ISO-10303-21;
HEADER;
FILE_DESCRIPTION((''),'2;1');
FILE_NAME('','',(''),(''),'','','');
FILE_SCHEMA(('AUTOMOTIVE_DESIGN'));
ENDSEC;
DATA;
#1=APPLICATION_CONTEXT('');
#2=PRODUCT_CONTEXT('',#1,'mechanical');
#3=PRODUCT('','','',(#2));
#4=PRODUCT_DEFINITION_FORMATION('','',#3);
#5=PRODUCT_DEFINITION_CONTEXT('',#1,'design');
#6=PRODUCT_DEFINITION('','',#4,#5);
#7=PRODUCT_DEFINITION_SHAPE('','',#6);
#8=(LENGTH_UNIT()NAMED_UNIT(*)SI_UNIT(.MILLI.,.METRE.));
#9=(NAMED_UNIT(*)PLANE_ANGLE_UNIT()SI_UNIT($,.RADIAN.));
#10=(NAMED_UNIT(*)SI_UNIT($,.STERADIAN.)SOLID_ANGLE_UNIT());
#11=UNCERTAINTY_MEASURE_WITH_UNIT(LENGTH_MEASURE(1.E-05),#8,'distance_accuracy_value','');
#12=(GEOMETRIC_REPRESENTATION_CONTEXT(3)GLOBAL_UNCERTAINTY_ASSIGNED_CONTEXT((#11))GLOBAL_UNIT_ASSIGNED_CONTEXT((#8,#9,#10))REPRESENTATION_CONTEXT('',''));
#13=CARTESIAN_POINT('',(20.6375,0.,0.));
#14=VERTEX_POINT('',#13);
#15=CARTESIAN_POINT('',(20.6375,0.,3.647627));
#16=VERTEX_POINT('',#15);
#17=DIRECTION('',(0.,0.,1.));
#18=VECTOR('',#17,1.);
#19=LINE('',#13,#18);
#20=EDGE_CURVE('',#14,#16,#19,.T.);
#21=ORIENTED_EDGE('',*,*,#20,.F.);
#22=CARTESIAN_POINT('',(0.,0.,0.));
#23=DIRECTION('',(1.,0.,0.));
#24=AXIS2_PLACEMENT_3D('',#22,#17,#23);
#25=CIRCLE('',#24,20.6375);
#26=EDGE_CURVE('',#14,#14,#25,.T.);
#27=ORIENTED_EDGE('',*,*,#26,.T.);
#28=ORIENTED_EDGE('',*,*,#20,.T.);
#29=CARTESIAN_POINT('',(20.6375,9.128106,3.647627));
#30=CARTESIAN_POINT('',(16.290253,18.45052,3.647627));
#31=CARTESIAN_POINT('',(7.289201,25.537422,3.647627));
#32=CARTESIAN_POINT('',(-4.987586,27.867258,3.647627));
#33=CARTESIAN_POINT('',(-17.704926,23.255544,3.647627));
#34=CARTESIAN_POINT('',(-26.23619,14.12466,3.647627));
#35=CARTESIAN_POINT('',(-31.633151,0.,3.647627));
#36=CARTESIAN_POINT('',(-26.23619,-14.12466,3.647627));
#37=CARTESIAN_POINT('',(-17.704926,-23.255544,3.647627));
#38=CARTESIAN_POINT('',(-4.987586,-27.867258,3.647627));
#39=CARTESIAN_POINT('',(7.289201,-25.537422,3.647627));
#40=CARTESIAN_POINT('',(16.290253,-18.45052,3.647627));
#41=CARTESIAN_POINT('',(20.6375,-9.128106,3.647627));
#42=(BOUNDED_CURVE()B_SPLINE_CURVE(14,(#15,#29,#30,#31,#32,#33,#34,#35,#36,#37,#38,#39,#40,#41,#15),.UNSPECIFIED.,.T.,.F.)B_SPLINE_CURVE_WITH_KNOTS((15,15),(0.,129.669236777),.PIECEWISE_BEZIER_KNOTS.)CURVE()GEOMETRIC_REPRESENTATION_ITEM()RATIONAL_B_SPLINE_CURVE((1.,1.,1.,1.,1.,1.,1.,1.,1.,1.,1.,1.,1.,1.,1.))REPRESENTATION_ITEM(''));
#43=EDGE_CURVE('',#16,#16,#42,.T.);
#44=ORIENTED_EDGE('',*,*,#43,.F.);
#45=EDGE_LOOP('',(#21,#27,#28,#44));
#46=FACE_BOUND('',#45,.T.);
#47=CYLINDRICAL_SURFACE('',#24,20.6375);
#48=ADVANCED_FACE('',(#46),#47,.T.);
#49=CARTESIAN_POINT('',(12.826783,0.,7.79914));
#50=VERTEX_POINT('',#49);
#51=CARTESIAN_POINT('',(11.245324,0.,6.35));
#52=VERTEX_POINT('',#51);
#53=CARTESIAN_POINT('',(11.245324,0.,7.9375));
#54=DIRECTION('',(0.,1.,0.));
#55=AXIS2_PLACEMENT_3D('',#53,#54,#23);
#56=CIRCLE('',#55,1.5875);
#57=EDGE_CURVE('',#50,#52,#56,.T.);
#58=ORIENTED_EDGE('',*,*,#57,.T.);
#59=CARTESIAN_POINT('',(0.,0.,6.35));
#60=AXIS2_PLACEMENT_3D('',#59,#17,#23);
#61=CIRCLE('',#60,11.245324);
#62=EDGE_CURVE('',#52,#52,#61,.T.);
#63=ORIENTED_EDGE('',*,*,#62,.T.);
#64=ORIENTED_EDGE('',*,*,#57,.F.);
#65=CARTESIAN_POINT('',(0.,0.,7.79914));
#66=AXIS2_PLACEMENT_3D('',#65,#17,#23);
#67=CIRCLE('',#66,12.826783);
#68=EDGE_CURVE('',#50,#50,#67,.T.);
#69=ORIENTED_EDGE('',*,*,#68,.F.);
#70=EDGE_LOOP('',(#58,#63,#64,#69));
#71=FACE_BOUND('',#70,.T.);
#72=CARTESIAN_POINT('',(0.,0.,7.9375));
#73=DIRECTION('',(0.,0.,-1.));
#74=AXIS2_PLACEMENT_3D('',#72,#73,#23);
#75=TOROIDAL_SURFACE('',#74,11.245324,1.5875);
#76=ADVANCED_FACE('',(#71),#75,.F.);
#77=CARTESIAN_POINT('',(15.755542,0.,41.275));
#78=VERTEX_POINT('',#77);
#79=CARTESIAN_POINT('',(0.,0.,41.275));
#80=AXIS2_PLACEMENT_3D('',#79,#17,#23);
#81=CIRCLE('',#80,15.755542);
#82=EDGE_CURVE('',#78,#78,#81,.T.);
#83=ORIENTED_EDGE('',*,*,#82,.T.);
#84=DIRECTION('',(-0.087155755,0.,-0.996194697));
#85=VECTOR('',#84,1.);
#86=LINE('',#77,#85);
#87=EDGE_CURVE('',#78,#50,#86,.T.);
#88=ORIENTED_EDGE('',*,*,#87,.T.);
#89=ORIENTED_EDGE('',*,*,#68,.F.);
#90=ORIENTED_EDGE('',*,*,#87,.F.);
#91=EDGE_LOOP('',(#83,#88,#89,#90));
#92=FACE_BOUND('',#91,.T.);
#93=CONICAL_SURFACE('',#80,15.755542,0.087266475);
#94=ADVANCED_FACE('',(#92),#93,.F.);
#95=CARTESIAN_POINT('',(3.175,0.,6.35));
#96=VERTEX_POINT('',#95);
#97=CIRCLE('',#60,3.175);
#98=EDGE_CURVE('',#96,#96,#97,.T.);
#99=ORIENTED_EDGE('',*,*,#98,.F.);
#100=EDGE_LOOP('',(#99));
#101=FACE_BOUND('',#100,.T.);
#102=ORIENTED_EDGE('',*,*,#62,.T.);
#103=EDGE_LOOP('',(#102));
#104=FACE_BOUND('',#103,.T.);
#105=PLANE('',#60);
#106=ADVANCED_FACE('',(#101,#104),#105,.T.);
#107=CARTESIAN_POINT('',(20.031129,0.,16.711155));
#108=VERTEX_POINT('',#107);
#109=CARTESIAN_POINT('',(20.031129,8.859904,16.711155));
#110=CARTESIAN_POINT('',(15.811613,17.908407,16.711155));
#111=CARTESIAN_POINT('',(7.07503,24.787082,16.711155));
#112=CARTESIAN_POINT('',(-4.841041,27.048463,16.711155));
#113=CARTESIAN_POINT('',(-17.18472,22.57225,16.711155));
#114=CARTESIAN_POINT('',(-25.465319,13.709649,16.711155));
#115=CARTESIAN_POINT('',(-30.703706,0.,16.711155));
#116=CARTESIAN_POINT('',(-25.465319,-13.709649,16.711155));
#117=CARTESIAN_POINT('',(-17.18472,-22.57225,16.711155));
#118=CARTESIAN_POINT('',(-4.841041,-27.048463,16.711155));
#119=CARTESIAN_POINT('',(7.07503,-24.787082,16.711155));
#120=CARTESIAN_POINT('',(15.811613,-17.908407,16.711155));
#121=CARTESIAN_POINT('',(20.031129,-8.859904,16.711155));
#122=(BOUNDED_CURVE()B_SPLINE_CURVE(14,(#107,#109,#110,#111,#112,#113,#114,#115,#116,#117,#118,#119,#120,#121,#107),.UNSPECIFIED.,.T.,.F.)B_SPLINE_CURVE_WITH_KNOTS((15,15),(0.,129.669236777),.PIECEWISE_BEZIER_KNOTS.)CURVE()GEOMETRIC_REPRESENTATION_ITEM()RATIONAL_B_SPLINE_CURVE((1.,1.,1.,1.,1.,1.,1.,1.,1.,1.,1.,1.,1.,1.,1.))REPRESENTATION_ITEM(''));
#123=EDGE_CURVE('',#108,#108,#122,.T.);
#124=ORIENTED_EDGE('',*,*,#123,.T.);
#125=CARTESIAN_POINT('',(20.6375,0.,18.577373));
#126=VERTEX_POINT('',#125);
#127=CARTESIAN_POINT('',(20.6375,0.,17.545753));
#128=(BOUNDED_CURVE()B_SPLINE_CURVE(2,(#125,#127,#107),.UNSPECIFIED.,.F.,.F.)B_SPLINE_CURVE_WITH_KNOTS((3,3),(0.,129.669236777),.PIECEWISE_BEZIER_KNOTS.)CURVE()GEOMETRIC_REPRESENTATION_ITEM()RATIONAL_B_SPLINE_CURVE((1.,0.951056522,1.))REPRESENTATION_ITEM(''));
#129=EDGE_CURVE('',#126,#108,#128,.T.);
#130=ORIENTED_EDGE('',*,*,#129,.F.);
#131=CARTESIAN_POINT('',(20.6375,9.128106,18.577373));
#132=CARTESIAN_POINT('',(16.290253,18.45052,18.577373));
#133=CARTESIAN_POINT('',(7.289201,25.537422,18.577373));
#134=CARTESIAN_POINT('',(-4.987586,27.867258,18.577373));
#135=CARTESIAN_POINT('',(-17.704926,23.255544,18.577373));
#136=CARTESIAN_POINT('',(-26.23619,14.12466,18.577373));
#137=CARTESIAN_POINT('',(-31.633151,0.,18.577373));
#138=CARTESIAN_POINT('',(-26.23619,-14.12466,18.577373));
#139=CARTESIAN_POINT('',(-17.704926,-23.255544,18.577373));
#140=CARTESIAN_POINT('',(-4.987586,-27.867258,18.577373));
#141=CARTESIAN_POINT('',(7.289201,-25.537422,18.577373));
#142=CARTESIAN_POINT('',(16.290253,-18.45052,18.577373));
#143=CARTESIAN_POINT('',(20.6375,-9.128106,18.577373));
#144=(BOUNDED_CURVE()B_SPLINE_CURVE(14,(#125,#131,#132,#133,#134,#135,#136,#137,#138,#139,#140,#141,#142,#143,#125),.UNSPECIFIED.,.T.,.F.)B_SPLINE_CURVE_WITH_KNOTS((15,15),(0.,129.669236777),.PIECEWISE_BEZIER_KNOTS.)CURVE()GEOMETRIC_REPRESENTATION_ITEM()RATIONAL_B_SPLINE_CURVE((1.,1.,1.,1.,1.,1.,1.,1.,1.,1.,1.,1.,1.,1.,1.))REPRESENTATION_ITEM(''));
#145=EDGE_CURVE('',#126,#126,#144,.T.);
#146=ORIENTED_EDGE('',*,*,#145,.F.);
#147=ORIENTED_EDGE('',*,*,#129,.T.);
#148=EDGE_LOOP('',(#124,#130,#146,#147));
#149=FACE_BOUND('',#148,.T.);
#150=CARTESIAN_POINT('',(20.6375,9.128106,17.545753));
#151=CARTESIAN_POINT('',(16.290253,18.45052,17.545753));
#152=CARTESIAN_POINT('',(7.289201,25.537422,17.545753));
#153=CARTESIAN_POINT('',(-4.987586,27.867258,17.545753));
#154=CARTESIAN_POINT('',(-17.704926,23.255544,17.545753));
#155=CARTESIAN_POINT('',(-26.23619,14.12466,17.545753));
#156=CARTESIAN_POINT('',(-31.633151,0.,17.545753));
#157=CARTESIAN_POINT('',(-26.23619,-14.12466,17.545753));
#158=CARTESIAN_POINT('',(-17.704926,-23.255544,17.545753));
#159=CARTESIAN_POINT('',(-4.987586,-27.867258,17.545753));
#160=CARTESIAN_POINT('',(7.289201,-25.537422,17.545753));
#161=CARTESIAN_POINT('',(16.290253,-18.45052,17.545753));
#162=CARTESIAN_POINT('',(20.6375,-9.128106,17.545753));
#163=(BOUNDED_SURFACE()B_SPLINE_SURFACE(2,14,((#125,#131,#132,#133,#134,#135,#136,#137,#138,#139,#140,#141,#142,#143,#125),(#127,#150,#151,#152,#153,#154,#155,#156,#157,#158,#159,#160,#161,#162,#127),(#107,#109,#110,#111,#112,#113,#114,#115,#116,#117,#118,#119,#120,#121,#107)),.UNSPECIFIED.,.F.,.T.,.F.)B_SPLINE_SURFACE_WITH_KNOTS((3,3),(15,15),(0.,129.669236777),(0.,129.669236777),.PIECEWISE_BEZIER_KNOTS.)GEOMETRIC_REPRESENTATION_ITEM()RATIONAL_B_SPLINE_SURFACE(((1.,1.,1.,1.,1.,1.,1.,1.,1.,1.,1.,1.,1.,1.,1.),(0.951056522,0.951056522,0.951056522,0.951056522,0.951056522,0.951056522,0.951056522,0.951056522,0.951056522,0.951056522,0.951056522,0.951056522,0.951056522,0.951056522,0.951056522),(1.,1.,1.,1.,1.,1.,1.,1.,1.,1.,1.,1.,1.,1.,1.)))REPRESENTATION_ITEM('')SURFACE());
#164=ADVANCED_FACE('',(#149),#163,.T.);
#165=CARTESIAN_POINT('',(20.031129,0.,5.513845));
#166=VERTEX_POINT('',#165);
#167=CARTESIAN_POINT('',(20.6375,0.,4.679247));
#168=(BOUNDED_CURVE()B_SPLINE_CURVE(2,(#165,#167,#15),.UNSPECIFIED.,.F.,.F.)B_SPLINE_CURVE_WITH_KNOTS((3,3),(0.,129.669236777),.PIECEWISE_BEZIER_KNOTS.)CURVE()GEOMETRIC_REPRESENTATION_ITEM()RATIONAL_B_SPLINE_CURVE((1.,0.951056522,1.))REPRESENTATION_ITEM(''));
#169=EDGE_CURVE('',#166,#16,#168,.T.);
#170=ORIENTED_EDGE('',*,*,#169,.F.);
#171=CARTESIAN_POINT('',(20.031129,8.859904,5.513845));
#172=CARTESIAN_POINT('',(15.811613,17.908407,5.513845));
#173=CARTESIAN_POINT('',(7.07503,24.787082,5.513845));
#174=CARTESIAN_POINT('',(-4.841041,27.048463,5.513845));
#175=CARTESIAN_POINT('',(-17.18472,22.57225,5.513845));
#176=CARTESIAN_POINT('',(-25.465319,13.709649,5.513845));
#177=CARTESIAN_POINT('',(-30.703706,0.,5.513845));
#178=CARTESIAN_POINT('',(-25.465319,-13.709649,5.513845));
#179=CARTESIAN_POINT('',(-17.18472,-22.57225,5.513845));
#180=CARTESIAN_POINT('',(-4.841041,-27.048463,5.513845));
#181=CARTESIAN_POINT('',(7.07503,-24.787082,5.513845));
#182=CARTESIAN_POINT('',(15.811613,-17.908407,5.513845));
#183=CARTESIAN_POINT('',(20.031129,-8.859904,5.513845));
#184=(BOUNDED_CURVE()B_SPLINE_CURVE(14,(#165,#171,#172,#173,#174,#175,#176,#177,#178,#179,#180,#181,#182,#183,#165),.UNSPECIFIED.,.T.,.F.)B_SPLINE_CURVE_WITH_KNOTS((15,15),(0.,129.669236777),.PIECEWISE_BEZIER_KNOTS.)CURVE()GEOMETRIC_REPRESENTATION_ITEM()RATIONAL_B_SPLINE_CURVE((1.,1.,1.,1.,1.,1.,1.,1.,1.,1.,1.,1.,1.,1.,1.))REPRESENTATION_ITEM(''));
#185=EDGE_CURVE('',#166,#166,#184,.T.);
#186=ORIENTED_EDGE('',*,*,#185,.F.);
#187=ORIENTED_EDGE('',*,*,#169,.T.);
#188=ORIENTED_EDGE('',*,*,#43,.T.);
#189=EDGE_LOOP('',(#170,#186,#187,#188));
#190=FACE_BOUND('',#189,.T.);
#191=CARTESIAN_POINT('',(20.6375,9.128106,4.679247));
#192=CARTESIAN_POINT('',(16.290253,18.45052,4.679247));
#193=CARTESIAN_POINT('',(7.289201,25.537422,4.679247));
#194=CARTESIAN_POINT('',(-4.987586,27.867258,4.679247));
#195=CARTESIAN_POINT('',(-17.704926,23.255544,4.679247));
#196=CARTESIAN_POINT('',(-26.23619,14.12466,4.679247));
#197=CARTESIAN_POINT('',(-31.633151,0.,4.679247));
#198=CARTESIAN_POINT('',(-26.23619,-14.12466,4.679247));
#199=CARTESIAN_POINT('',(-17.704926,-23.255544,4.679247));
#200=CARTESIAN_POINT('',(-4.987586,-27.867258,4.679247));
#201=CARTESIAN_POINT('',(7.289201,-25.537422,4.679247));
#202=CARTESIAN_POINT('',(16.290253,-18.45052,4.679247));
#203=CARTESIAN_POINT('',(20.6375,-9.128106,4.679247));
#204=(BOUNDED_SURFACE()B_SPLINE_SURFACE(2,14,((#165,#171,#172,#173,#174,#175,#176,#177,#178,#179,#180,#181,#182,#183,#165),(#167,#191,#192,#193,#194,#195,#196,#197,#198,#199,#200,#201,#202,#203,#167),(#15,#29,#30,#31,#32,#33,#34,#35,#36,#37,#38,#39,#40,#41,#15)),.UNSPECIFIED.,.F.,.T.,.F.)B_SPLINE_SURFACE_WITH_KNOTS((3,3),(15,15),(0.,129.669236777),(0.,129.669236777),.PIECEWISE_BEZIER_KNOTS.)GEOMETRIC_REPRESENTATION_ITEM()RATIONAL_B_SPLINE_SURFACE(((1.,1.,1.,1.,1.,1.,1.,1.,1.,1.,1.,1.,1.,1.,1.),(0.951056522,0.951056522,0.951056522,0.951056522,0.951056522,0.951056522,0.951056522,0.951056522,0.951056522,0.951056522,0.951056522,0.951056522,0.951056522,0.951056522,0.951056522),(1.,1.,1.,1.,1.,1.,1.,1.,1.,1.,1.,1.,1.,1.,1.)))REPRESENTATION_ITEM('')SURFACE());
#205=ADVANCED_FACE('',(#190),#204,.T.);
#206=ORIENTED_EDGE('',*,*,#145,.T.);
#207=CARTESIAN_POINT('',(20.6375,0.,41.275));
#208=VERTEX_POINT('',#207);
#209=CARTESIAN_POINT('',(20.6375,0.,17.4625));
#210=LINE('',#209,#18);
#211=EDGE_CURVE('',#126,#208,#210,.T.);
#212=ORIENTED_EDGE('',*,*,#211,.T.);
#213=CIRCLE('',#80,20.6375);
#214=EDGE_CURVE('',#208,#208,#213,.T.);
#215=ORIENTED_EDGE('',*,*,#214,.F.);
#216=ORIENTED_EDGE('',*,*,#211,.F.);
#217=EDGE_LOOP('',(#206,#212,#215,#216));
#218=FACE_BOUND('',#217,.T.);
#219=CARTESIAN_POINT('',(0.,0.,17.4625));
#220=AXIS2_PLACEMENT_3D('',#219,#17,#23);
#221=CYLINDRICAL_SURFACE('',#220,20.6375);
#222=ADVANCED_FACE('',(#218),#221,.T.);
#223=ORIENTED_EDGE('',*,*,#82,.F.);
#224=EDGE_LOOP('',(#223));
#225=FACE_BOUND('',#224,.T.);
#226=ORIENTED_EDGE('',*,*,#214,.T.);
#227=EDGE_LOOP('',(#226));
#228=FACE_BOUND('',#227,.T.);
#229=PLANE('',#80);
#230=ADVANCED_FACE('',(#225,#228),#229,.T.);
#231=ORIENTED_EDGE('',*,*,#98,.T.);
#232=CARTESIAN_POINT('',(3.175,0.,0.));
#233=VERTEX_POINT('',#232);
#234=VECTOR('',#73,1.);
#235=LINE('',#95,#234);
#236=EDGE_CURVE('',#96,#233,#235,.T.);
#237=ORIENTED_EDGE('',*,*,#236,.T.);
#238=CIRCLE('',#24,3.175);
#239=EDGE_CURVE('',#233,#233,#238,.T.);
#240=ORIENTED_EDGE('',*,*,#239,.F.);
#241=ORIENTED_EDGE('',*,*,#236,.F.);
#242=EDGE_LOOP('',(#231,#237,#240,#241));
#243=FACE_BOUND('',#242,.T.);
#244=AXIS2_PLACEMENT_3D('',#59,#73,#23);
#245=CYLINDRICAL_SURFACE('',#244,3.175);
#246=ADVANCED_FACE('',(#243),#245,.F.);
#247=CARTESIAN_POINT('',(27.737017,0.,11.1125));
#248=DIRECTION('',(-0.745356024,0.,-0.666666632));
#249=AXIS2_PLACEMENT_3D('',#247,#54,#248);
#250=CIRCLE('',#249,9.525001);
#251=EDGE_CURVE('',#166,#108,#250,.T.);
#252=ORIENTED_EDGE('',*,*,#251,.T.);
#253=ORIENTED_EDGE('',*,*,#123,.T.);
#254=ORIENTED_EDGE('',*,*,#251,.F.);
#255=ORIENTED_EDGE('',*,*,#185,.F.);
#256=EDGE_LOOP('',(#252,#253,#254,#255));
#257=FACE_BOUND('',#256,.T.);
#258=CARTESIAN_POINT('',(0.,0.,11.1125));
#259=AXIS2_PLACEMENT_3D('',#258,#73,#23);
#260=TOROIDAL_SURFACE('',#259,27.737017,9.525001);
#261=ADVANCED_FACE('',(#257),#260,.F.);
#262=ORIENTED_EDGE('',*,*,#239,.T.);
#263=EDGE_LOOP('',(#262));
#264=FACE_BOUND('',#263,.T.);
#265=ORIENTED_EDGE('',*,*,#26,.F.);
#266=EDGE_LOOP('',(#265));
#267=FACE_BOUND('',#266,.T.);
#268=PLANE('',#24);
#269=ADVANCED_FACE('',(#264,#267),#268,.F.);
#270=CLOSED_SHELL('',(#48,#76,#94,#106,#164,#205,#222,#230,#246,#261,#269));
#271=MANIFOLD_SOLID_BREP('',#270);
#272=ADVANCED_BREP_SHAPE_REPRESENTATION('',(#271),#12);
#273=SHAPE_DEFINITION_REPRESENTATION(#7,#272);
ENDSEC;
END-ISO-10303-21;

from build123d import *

# Parameters (mm, degrees)
F2_R = 1.5875
F3_R = 3.175


with BuildPart() as f1:
    # F0 (on Front) → F1 (revolve)
    with BuildSketch(Plane.XZ):
        with BuildLine():
            Line((3.175, 6.35), (3.175, 0))
            Line((3.175, 0), (20.6375, 0))
            Line((20.6375, 0), (20.6375, 4.7625))
            ThreePointArc((20.6375, 4.7625), (18.212016, 11.1125), (20.6375, 17.4625))
            Line((20.6375, 17.4625), (20.6375, 41.275))
            Line((20.6375, 41.275), (15.755542, 41.275))
            Line((15.755542, 41.275), (12.7, 6.35))
            Line((12.7, 6.35), (3.175, 6.35))
        make_face()
    revolve(axis=Axis((0, 0, 42.399504), (0, 0, 1)))

    # F2
    f2_edges = [f1.edges().sort_by_distance(p)[0] for p in [
        (-12.7, 0, 6.35),
    ]]
    fillet(f2_edges, radius=F2_R)

    # F3
    f3_edges = [f1.edges().sort_by_distance(p)[0] for p in [
        (-20.6375, 0, 17.4625),
        (-20.6375, 0, 4.7625),
    ]]
    fillet(f3_edges, radius=F3_R)


solid = f1.part
